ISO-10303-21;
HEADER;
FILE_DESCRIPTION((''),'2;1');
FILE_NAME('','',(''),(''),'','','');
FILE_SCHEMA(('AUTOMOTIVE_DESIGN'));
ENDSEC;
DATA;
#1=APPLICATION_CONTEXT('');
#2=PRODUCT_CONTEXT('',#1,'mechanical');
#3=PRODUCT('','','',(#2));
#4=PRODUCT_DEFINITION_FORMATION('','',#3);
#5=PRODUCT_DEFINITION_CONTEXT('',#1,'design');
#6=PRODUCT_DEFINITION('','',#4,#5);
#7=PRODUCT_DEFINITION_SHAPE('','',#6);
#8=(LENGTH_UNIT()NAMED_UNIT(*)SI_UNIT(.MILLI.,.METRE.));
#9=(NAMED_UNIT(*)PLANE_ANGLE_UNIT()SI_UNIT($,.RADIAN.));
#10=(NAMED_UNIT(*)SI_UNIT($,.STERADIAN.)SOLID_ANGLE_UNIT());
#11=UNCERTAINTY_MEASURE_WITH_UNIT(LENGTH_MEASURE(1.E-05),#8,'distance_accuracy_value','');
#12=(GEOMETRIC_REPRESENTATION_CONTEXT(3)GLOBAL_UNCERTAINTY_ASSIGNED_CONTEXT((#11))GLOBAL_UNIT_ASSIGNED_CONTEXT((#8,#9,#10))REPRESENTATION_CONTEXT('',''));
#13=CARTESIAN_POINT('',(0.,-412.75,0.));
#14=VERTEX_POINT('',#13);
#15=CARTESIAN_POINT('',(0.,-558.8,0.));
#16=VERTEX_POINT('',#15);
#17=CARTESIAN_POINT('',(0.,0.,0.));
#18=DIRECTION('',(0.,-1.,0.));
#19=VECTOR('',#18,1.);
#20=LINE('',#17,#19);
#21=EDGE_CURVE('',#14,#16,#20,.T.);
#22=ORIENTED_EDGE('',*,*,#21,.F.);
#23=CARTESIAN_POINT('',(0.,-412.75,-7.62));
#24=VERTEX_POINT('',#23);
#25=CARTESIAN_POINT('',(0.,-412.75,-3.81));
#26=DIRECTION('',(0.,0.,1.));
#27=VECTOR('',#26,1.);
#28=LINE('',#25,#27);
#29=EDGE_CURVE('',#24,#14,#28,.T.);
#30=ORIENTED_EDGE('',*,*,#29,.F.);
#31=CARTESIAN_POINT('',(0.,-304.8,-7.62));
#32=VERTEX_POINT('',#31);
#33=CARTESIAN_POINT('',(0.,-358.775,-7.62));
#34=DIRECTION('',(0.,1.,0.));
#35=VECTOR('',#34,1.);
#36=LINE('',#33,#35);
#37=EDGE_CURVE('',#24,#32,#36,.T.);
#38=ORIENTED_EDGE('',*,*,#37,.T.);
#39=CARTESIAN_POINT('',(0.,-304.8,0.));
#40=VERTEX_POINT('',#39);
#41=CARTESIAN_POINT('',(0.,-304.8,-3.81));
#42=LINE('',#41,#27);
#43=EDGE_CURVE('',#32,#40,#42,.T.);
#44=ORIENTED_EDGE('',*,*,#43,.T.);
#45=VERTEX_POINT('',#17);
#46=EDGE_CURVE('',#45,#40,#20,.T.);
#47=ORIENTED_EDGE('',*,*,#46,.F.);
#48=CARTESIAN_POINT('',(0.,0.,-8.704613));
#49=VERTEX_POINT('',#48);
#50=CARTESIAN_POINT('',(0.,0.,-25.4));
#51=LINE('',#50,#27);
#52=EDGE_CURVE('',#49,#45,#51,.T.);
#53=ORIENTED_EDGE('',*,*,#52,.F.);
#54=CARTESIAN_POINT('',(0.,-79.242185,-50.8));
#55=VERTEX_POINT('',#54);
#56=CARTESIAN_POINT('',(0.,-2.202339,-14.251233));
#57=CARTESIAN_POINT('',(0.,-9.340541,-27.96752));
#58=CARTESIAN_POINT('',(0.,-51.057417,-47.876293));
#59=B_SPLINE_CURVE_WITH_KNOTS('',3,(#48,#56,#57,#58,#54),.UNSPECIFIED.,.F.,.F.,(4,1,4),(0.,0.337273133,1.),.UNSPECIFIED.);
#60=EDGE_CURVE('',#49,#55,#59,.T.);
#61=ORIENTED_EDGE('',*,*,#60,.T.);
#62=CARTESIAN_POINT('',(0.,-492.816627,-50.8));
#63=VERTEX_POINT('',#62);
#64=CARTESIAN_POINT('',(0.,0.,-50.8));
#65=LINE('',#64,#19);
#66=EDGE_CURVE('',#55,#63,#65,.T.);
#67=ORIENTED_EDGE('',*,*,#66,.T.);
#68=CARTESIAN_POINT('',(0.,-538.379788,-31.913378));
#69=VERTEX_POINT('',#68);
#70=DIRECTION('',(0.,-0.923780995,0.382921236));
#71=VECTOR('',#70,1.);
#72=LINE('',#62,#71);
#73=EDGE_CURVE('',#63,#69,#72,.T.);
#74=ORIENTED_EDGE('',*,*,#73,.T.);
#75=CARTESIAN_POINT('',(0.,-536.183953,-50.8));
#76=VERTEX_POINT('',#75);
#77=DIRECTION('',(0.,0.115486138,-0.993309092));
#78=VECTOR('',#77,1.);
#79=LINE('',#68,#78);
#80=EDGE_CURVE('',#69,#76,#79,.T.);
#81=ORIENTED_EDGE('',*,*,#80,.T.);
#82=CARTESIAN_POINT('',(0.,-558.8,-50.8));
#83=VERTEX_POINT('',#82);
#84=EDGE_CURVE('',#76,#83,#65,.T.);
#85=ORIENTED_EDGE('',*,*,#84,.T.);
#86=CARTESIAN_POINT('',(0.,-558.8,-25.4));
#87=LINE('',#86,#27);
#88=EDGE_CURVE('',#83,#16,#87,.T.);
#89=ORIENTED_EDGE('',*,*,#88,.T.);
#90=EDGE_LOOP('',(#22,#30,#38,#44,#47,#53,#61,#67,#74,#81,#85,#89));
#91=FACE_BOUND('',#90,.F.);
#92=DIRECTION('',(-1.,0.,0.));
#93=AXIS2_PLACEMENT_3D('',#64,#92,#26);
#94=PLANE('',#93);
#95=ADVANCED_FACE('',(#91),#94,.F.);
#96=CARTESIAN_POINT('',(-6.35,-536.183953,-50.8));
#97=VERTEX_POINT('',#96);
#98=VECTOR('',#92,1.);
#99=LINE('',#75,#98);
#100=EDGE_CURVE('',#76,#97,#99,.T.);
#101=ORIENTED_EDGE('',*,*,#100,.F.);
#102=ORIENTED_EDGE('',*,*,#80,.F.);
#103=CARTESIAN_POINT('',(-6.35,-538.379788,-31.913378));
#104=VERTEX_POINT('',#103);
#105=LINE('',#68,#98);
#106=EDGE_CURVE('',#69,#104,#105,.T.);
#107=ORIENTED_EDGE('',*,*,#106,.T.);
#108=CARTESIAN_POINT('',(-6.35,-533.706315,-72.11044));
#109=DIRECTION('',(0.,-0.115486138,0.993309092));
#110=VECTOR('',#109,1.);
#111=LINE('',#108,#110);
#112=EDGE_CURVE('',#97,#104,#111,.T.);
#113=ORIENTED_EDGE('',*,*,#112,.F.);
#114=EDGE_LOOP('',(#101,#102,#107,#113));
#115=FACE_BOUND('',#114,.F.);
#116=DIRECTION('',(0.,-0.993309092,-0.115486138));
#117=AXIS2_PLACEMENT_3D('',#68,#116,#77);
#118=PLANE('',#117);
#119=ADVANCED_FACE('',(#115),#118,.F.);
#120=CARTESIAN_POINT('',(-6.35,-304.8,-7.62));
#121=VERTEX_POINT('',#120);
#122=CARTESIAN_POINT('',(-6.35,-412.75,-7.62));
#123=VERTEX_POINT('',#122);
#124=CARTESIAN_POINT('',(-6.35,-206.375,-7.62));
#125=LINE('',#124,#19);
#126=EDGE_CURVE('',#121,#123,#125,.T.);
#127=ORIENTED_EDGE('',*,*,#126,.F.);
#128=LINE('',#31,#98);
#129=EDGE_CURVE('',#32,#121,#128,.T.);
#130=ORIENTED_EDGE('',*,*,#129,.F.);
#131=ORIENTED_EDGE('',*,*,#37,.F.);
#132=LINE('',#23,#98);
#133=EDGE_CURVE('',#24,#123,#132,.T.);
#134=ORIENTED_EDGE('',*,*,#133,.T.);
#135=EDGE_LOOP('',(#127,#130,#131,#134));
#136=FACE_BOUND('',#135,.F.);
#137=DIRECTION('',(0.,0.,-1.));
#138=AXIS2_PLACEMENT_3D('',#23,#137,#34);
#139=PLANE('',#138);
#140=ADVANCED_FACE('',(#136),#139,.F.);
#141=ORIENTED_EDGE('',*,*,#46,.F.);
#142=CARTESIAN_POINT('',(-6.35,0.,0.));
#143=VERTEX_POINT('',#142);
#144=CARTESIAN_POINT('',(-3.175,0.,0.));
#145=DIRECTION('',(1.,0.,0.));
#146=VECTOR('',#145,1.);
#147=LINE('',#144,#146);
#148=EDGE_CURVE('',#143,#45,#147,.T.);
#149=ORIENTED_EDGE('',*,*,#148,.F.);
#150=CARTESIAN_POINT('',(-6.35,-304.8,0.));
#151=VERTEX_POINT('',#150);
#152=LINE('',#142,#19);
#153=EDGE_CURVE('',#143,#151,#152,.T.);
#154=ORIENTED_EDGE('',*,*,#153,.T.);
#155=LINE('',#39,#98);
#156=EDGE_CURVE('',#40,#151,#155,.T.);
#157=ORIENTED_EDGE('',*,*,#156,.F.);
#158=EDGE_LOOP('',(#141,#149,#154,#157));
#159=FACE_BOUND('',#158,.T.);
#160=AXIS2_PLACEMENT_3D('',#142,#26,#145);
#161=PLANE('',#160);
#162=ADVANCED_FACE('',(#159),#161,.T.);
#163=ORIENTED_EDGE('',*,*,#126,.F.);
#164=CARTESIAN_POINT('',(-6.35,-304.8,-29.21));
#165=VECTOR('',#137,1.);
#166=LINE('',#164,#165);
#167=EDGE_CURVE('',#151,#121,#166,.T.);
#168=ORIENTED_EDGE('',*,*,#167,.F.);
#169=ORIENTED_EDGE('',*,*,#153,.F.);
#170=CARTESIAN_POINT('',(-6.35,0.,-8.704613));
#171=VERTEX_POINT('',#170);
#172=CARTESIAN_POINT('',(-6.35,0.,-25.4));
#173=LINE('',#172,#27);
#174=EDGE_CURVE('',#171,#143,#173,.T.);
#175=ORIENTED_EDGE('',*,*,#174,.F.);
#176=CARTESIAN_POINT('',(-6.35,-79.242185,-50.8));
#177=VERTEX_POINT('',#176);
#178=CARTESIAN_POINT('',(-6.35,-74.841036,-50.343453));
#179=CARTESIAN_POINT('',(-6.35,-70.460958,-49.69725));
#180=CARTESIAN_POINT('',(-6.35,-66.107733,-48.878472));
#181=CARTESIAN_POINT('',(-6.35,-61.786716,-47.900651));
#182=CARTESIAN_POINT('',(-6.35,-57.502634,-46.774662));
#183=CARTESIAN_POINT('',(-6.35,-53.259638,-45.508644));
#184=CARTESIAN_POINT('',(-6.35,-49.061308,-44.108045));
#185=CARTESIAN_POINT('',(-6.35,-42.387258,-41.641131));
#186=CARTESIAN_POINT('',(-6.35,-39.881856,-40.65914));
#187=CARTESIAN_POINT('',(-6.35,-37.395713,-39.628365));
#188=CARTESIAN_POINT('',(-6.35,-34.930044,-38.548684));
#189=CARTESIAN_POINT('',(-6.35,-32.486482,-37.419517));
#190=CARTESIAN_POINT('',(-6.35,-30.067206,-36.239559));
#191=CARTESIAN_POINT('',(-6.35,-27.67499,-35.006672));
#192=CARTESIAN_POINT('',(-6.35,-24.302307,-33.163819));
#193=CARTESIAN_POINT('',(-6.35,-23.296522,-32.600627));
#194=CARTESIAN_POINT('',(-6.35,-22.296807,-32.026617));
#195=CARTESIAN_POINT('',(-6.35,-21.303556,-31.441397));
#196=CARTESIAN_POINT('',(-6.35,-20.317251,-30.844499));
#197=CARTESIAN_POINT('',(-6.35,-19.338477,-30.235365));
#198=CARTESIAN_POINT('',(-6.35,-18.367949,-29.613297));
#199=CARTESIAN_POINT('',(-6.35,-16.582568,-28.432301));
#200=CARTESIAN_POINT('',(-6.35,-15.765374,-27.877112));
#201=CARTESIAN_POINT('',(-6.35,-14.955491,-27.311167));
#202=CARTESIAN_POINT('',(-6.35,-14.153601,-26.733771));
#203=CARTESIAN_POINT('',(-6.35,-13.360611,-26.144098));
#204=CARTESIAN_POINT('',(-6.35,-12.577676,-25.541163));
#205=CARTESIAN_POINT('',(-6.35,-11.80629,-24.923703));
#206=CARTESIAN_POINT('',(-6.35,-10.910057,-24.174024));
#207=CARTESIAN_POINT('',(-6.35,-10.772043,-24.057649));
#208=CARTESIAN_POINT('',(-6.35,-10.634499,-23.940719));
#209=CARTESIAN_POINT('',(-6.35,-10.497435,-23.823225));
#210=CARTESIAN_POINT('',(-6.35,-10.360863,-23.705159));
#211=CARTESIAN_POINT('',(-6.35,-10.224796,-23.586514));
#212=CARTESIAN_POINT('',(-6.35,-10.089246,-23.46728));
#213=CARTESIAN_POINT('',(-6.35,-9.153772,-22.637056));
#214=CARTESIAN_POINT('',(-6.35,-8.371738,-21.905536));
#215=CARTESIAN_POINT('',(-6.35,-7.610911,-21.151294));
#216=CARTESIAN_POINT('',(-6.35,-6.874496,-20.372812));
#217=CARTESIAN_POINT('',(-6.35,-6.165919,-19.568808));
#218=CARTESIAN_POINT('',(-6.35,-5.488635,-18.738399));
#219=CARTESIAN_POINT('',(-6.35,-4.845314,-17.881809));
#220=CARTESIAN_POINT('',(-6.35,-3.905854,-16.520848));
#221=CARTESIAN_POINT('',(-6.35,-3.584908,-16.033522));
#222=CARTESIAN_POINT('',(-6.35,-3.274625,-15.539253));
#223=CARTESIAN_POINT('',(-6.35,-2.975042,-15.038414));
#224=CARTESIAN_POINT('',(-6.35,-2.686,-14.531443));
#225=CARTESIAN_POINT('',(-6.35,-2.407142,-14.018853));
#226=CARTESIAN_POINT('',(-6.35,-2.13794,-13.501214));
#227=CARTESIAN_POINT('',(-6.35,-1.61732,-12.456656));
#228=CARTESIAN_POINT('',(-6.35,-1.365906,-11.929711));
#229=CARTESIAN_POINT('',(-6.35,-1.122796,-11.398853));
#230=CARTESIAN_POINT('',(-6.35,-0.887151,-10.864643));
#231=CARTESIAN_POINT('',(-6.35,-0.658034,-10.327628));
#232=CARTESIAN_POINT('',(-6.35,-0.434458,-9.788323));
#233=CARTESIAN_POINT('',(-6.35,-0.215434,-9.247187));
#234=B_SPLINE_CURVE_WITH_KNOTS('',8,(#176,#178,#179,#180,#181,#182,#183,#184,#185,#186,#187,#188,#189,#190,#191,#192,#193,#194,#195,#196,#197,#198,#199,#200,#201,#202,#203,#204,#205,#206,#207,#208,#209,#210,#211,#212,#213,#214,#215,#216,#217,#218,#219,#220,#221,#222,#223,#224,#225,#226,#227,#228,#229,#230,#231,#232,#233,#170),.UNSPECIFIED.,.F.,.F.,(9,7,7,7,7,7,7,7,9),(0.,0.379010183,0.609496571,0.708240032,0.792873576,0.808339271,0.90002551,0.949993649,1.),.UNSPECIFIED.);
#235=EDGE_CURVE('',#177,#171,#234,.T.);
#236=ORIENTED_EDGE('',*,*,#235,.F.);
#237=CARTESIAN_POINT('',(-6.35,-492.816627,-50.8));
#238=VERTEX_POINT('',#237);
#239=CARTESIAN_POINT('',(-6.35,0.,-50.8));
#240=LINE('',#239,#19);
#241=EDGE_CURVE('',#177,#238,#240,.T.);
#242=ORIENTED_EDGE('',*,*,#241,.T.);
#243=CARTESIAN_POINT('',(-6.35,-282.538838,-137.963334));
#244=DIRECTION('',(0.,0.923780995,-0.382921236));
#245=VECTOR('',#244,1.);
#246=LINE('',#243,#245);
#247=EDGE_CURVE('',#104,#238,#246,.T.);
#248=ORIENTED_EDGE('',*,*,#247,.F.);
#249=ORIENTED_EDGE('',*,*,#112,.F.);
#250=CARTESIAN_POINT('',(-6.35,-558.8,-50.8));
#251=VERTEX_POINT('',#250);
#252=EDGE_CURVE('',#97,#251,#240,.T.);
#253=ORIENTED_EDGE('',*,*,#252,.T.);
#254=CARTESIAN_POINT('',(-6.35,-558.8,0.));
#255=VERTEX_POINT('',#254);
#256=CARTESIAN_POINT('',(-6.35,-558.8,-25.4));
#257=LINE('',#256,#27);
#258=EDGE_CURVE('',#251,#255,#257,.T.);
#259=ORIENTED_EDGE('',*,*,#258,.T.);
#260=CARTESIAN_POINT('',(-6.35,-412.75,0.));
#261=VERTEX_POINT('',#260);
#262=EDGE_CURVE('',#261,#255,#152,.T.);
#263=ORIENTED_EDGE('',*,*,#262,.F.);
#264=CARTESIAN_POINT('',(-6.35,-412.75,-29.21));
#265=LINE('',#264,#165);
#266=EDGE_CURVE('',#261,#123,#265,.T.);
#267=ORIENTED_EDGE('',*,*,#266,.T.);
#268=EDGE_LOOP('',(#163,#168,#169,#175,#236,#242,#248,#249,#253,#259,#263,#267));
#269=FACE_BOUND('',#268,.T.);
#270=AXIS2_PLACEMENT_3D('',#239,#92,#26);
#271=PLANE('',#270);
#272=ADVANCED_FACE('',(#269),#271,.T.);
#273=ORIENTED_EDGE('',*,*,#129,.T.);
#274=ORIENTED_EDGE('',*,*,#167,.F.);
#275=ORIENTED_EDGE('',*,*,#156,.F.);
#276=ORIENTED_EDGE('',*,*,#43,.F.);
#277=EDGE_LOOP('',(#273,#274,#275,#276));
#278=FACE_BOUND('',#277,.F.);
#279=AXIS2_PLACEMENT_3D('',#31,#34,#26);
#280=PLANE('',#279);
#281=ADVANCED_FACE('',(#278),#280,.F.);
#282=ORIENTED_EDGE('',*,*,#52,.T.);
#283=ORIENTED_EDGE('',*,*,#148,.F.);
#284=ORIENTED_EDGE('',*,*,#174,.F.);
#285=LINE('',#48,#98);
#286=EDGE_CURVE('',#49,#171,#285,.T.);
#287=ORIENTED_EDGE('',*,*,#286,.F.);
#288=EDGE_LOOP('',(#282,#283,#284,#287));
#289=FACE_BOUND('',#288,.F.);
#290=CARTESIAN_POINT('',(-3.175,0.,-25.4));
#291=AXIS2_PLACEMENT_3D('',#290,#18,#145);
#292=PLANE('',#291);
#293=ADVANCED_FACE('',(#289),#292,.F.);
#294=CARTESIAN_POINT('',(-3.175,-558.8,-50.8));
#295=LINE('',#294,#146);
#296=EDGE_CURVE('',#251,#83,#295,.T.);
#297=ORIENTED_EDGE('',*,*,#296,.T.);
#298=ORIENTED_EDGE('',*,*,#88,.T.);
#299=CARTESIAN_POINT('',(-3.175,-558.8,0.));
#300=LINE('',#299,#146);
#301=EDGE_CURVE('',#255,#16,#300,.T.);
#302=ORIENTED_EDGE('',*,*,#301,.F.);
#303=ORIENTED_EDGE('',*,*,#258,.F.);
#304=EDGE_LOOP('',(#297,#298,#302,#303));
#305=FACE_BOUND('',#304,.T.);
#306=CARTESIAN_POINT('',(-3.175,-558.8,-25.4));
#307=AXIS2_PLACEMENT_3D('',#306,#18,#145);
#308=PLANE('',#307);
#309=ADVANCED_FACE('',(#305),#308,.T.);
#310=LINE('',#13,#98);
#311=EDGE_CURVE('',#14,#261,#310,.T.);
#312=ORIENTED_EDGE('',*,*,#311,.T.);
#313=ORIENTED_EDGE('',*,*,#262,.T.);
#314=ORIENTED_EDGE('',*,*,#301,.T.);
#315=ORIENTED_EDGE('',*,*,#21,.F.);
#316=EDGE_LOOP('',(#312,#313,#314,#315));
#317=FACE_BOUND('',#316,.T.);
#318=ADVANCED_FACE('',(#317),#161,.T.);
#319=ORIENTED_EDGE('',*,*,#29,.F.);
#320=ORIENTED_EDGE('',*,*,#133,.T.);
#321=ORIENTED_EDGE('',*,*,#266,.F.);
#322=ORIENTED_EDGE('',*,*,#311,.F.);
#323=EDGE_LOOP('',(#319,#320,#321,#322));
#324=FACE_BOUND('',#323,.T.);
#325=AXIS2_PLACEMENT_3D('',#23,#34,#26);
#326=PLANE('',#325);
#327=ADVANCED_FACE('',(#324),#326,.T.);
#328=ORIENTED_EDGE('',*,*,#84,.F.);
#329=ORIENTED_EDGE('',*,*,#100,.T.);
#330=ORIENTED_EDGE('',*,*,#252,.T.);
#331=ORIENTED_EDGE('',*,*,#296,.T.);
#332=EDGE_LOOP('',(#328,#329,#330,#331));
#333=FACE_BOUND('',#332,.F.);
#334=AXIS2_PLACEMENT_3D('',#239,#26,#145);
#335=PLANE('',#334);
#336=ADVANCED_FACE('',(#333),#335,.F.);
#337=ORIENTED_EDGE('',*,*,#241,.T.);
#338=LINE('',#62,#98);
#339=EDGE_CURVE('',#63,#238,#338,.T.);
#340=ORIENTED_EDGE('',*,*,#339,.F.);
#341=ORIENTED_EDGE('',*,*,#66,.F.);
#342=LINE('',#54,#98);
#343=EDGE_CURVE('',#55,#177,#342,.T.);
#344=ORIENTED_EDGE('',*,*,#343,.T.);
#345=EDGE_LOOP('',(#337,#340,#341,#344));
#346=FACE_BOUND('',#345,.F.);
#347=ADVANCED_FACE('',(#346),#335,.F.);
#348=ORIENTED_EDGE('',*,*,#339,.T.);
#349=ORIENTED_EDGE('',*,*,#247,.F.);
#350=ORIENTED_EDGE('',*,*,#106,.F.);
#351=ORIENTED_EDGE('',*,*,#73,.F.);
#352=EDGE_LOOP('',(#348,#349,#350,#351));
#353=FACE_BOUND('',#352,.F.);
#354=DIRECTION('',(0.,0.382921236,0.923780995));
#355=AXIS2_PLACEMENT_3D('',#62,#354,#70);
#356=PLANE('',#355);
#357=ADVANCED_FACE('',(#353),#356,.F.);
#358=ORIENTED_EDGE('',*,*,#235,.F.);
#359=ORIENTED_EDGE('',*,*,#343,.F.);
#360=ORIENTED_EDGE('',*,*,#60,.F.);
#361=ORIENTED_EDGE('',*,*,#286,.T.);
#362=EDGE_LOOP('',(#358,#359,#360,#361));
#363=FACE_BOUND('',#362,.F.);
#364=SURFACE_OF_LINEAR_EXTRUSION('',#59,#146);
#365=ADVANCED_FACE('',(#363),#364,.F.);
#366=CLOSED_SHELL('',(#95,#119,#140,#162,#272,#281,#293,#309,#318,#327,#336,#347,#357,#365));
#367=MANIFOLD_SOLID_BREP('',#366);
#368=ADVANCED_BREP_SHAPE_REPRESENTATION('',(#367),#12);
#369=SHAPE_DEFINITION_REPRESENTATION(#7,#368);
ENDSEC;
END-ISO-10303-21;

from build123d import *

# Parameters (mm, degrees)
F0_W     = 6.35
F0_H     = 50.8
F1_DEPTH = 558.8
F3_DEPTH = 304.8
F4_W     = 107.95
F4_H     = 7.62
F5_DEPTH = 304.8
F7_DEPTH = 25.4


with BuildPart() as f1:
    # F0 (on Front) → F1 (new body)
    with BuildSketch(Plane.XZ):
        with Locations((-3.175, -25.4)):
            Rectangle(F0_W, F0_H)
    extrude(amount=F1_DEPTH)

    # F2 (on face) → F3 (cut)
    with BuildSketch(Plane.YZ):
        Polygon((-538.3797883987, -31.9133784294), (-536.1839532852, -50.8), (-492.8166270256, -50.8), align=None)
    extrude(amount=-F3_DEPTH, mode=Mode.SUBTRACT)

    # F4 (on face) → F5 (cut)
    with BuildSketch(Plane.YZ):
        with Locations((-358.775, -3.81)):
            Rectangle(F4_W, F4_H)
    extrude(amount=-F5_DEPTH, mode=Mode.SUBTRACT)

    # F6 (on face) → F7 (cut)
    with BuildSketch(Plane.YZ):
        with BuildLine():
            Line((0, -50.8), (0, -8.7046129629))
            add(Edge.make_bspline(
                [(0, -8.7046129629), (-2.2023392611, -14.2512334073), (-9.3405414865, -27.9675195006), (-51.0574173798, -47.8762926406), (-79.2421847582, -50.8)],
                knots=[0, 0, 0, 0, 0.3372731327, 1, 1, 1, 1], degree=3))
            Line((-79.2421847582, -50.8), (0, -50.8))
        make_face()
    extrude(amount=-F7_DEPTH, mode=Mode.SUBTRACT)


solid = f1.part
